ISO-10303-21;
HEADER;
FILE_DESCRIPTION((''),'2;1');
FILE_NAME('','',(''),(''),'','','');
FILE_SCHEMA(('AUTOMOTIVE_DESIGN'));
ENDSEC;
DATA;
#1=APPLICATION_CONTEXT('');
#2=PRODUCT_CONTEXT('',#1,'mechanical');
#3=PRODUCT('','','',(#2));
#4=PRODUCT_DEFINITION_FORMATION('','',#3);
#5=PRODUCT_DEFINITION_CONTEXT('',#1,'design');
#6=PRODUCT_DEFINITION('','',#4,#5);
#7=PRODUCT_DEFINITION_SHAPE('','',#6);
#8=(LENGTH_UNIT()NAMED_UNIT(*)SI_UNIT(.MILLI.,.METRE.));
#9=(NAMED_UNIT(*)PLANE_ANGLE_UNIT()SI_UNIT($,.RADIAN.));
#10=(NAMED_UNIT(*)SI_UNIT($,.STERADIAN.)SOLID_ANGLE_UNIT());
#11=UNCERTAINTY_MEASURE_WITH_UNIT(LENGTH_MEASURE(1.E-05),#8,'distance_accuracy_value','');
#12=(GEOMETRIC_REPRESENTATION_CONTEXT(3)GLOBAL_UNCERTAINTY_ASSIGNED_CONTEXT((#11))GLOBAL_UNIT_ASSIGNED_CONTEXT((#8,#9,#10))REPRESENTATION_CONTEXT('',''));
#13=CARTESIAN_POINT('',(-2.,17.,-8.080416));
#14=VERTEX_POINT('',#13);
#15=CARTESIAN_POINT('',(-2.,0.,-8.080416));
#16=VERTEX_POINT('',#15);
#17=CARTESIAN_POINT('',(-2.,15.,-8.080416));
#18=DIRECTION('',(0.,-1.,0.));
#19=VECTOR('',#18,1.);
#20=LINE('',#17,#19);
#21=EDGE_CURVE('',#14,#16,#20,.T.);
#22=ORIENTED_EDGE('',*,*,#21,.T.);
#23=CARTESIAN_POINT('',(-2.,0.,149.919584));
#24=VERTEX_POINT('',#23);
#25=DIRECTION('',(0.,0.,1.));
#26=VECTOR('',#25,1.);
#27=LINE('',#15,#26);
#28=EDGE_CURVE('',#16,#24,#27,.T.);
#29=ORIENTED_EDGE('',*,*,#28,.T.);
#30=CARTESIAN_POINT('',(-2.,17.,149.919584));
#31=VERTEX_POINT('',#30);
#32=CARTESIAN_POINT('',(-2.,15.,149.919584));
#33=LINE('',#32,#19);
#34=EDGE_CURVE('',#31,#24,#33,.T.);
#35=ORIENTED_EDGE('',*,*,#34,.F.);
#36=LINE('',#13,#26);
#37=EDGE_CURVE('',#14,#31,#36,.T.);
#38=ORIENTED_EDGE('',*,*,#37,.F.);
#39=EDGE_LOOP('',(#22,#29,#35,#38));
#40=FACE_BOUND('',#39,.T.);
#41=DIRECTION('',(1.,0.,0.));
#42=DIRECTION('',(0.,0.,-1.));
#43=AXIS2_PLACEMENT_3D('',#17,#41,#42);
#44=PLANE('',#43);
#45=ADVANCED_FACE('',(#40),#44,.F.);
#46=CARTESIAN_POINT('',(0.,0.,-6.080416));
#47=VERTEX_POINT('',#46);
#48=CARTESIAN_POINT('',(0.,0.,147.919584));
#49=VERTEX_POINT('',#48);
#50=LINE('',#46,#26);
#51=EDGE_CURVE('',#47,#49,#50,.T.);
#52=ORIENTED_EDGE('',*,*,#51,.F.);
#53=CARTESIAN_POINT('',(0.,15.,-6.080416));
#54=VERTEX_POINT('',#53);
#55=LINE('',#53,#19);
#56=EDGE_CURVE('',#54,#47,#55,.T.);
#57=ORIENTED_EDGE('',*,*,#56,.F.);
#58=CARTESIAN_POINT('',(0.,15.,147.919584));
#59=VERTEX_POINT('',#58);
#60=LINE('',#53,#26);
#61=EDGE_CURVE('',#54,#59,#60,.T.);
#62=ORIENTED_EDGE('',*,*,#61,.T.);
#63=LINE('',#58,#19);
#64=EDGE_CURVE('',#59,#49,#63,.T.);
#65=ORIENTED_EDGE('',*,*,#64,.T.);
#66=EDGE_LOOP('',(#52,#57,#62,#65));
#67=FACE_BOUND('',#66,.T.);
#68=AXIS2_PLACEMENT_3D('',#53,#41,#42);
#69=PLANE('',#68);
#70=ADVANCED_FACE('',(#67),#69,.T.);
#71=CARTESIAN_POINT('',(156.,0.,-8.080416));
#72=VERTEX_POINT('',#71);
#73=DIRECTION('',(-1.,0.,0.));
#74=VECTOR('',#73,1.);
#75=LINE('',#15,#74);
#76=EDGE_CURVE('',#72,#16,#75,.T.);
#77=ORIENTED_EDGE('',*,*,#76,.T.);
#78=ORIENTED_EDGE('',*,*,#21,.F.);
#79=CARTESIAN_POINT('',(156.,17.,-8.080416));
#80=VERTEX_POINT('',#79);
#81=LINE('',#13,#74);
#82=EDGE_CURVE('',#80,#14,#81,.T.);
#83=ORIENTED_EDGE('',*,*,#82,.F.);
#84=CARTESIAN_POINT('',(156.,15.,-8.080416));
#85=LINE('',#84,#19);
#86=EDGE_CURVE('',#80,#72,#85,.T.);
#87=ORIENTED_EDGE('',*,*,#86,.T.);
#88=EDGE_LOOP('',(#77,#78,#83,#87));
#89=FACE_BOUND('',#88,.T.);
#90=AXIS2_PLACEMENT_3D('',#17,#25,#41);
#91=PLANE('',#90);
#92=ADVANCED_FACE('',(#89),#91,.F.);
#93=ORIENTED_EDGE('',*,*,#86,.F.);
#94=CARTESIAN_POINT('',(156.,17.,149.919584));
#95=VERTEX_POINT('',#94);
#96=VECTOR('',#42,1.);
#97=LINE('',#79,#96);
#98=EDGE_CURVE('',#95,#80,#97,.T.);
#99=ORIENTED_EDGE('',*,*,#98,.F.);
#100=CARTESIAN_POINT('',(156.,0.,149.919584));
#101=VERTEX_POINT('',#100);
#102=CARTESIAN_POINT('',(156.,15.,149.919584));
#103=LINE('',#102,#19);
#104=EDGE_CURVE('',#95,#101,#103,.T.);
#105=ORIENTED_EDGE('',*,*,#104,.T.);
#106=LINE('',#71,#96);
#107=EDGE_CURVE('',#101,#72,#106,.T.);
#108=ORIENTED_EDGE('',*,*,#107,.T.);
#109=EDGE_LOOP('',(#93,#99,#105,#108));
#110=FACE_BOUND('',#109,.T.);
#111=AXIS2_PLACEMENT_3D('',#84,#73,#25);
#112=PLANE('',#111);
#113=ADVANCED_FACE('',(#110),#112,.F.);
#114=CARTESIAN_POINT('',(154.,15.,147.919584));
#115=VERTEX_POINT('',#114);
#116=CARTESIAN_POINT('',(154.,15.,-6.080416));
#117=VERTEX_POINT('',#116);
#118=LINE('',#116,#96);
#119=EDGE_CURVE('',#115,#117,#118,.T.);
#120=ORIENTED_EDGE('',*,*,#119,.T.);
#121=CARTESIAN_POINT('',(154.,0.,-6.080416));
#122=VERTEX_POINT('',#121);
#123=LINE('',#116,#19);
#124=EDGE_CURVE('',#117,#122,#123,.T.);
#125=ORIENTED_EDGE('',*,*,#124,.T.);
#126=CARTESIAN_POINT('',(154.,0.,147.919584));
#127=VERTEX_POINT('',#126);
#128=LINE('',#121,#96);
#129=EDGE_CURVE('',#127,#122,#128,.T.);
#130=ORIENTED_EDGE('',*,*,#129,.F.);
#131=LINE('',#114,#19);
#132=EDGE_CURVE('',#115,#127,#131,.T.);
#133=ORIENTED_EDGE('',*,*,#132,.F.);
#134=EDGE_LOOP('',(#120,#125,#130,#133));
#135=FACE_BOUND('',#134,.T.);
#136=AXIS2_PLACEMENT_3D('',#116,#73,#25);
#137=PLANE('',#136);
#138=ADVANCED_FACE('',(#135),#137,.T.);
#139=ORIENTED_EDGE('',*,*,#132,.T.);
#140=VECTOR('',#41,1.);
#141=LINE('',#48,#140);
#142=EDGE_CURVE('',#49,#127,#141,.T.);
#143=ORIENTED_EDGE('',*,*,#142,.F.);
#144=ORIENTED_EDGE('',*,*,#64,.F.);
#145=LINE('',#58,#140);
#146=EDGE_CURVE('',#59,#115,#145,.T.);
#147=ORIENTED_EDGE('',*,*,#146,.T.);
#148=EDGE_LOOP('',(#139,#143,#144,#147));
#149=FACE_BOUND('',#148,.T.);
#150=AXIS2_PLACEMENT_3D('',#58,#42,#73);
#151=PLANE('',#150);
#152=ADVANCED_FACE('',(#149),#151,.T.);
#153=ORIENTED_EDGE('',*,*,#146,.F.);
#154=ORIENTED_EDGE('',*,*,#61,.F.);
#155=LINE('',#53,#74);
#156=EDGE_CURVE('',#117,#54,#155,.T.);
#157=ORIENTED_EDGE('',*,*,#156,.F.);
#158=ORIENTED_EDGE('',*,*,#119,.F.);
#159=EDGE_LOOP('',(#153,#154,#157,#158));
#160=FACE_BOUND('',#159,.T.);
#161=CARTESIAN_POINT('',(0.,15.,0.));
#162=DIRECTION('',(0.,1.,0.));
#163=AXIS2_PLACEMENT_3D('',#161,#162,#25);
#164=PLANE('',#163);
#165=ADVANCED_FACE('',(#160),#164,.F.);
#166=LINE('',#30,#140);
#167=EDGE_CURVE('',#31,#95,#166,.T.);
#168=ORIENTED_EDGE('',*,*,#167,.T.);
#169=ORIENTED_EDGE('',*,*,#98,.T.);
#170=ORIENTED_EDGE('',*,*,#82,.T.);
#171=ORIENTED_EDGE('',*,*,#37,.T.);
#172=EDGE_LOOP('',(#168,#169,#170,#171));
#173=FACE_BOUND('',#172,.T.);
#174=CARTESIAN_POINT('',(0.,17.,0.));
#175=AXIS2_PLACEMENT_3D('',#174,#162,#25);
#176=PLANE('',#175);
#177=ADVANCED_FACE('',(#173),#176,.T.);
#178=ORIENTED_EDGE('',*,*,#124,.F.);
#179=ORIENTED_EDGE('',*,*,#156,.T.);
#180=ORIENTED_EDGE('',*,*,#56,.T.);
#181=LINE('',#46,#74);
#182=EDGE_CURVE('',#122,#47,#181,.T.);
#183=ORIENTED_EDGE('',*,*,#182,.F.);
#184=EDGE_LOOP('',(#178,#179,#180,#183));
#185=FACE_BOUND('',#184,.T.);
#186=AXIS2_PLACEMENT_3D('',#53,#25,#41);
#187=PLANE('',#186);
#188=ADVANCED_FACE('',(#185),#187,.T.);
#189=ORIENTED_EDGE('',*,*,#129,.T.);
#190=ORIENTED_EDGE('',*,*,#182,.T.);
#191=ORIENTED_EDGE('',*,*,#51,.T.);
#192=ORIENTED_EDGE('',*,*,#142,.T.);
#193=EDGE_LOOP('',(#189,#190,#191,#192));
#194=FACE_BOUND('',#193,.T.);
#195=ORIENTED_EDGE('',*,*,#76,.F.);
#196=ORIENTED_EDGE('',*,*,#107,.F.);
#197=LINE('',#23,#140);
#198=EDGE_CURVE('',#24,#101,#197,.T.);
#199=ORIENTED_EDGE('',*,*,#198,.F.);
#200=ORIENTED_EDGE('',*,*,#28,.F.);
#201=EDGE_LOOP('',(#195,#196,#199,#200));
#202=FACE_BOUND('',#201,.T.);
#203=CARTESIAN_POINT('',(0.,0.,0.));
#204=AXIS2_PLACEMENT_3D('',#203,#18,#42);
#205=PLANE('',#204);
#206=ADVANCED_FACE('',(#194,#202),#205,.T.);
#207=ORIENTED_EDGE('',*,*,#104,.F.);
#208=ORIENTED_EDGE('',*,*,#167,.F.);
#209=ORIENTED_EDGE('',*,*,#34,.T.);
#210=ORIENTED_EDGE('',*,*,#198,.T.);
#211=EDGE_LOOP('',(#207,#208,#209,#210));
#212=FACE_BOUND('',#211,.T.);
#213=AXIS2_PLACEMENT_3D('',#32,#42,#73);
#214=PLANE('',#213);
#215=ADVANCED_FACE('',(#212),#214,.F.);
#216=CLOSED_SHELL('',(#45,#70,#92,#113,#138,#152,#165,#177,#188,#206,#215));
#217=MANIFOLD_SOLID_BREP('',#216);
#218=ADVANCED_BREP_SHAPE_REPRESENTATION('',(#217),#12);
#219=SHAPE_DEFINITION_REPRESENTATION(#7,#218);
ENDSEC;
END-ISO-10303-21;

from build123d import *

# Parameters (mm, degrees)
SKETCH1_W           = 158
SKETCH1_H           = 158
SKETCH1_W_2         = 154
SKETCH1_H_2         = 154
BOSS_EXTRUDE1_DEPTH = 15
SKETCH3_W           = 158
SKETCH3_H           = 158
BOSS_EXTRUDE2_DEPTH = 2


with BuildPart() as part:
    # Sketch1 → Boss-Extrude1 (new body)
    with BuildSketch(Plane(origin=(0, 0, 0), x_dir=(1, 0, 0), z_dir=(0, 1, 0))):
        with Locations((77, -70.919584378)):
            Rectangle(SKETCH1_W, SKETCH1_H)
        with Locations((77, -70.919584378)):
            Rectangle(SKETCH1_W_2, SKETCH1_H_2, mode=Mode.SUBTRACT)
    extrude(amount=BOSS_EXTRUDE1_DEPTH)

    # Sketch3 → Boss-Extrude2 (add)
    with BuildSketch(Plane(origin=(0, 15, 0), x_dir=(1, 0, 0), z_dir=(0, 1, 0))):
        with Locations((77, -70.919584378)):
            Rectangle(SKETCH3_W, SKETCH3_H)
    extrude(amount=BOSS_EXTRUDE2_DEPTH)


solid = part.part
